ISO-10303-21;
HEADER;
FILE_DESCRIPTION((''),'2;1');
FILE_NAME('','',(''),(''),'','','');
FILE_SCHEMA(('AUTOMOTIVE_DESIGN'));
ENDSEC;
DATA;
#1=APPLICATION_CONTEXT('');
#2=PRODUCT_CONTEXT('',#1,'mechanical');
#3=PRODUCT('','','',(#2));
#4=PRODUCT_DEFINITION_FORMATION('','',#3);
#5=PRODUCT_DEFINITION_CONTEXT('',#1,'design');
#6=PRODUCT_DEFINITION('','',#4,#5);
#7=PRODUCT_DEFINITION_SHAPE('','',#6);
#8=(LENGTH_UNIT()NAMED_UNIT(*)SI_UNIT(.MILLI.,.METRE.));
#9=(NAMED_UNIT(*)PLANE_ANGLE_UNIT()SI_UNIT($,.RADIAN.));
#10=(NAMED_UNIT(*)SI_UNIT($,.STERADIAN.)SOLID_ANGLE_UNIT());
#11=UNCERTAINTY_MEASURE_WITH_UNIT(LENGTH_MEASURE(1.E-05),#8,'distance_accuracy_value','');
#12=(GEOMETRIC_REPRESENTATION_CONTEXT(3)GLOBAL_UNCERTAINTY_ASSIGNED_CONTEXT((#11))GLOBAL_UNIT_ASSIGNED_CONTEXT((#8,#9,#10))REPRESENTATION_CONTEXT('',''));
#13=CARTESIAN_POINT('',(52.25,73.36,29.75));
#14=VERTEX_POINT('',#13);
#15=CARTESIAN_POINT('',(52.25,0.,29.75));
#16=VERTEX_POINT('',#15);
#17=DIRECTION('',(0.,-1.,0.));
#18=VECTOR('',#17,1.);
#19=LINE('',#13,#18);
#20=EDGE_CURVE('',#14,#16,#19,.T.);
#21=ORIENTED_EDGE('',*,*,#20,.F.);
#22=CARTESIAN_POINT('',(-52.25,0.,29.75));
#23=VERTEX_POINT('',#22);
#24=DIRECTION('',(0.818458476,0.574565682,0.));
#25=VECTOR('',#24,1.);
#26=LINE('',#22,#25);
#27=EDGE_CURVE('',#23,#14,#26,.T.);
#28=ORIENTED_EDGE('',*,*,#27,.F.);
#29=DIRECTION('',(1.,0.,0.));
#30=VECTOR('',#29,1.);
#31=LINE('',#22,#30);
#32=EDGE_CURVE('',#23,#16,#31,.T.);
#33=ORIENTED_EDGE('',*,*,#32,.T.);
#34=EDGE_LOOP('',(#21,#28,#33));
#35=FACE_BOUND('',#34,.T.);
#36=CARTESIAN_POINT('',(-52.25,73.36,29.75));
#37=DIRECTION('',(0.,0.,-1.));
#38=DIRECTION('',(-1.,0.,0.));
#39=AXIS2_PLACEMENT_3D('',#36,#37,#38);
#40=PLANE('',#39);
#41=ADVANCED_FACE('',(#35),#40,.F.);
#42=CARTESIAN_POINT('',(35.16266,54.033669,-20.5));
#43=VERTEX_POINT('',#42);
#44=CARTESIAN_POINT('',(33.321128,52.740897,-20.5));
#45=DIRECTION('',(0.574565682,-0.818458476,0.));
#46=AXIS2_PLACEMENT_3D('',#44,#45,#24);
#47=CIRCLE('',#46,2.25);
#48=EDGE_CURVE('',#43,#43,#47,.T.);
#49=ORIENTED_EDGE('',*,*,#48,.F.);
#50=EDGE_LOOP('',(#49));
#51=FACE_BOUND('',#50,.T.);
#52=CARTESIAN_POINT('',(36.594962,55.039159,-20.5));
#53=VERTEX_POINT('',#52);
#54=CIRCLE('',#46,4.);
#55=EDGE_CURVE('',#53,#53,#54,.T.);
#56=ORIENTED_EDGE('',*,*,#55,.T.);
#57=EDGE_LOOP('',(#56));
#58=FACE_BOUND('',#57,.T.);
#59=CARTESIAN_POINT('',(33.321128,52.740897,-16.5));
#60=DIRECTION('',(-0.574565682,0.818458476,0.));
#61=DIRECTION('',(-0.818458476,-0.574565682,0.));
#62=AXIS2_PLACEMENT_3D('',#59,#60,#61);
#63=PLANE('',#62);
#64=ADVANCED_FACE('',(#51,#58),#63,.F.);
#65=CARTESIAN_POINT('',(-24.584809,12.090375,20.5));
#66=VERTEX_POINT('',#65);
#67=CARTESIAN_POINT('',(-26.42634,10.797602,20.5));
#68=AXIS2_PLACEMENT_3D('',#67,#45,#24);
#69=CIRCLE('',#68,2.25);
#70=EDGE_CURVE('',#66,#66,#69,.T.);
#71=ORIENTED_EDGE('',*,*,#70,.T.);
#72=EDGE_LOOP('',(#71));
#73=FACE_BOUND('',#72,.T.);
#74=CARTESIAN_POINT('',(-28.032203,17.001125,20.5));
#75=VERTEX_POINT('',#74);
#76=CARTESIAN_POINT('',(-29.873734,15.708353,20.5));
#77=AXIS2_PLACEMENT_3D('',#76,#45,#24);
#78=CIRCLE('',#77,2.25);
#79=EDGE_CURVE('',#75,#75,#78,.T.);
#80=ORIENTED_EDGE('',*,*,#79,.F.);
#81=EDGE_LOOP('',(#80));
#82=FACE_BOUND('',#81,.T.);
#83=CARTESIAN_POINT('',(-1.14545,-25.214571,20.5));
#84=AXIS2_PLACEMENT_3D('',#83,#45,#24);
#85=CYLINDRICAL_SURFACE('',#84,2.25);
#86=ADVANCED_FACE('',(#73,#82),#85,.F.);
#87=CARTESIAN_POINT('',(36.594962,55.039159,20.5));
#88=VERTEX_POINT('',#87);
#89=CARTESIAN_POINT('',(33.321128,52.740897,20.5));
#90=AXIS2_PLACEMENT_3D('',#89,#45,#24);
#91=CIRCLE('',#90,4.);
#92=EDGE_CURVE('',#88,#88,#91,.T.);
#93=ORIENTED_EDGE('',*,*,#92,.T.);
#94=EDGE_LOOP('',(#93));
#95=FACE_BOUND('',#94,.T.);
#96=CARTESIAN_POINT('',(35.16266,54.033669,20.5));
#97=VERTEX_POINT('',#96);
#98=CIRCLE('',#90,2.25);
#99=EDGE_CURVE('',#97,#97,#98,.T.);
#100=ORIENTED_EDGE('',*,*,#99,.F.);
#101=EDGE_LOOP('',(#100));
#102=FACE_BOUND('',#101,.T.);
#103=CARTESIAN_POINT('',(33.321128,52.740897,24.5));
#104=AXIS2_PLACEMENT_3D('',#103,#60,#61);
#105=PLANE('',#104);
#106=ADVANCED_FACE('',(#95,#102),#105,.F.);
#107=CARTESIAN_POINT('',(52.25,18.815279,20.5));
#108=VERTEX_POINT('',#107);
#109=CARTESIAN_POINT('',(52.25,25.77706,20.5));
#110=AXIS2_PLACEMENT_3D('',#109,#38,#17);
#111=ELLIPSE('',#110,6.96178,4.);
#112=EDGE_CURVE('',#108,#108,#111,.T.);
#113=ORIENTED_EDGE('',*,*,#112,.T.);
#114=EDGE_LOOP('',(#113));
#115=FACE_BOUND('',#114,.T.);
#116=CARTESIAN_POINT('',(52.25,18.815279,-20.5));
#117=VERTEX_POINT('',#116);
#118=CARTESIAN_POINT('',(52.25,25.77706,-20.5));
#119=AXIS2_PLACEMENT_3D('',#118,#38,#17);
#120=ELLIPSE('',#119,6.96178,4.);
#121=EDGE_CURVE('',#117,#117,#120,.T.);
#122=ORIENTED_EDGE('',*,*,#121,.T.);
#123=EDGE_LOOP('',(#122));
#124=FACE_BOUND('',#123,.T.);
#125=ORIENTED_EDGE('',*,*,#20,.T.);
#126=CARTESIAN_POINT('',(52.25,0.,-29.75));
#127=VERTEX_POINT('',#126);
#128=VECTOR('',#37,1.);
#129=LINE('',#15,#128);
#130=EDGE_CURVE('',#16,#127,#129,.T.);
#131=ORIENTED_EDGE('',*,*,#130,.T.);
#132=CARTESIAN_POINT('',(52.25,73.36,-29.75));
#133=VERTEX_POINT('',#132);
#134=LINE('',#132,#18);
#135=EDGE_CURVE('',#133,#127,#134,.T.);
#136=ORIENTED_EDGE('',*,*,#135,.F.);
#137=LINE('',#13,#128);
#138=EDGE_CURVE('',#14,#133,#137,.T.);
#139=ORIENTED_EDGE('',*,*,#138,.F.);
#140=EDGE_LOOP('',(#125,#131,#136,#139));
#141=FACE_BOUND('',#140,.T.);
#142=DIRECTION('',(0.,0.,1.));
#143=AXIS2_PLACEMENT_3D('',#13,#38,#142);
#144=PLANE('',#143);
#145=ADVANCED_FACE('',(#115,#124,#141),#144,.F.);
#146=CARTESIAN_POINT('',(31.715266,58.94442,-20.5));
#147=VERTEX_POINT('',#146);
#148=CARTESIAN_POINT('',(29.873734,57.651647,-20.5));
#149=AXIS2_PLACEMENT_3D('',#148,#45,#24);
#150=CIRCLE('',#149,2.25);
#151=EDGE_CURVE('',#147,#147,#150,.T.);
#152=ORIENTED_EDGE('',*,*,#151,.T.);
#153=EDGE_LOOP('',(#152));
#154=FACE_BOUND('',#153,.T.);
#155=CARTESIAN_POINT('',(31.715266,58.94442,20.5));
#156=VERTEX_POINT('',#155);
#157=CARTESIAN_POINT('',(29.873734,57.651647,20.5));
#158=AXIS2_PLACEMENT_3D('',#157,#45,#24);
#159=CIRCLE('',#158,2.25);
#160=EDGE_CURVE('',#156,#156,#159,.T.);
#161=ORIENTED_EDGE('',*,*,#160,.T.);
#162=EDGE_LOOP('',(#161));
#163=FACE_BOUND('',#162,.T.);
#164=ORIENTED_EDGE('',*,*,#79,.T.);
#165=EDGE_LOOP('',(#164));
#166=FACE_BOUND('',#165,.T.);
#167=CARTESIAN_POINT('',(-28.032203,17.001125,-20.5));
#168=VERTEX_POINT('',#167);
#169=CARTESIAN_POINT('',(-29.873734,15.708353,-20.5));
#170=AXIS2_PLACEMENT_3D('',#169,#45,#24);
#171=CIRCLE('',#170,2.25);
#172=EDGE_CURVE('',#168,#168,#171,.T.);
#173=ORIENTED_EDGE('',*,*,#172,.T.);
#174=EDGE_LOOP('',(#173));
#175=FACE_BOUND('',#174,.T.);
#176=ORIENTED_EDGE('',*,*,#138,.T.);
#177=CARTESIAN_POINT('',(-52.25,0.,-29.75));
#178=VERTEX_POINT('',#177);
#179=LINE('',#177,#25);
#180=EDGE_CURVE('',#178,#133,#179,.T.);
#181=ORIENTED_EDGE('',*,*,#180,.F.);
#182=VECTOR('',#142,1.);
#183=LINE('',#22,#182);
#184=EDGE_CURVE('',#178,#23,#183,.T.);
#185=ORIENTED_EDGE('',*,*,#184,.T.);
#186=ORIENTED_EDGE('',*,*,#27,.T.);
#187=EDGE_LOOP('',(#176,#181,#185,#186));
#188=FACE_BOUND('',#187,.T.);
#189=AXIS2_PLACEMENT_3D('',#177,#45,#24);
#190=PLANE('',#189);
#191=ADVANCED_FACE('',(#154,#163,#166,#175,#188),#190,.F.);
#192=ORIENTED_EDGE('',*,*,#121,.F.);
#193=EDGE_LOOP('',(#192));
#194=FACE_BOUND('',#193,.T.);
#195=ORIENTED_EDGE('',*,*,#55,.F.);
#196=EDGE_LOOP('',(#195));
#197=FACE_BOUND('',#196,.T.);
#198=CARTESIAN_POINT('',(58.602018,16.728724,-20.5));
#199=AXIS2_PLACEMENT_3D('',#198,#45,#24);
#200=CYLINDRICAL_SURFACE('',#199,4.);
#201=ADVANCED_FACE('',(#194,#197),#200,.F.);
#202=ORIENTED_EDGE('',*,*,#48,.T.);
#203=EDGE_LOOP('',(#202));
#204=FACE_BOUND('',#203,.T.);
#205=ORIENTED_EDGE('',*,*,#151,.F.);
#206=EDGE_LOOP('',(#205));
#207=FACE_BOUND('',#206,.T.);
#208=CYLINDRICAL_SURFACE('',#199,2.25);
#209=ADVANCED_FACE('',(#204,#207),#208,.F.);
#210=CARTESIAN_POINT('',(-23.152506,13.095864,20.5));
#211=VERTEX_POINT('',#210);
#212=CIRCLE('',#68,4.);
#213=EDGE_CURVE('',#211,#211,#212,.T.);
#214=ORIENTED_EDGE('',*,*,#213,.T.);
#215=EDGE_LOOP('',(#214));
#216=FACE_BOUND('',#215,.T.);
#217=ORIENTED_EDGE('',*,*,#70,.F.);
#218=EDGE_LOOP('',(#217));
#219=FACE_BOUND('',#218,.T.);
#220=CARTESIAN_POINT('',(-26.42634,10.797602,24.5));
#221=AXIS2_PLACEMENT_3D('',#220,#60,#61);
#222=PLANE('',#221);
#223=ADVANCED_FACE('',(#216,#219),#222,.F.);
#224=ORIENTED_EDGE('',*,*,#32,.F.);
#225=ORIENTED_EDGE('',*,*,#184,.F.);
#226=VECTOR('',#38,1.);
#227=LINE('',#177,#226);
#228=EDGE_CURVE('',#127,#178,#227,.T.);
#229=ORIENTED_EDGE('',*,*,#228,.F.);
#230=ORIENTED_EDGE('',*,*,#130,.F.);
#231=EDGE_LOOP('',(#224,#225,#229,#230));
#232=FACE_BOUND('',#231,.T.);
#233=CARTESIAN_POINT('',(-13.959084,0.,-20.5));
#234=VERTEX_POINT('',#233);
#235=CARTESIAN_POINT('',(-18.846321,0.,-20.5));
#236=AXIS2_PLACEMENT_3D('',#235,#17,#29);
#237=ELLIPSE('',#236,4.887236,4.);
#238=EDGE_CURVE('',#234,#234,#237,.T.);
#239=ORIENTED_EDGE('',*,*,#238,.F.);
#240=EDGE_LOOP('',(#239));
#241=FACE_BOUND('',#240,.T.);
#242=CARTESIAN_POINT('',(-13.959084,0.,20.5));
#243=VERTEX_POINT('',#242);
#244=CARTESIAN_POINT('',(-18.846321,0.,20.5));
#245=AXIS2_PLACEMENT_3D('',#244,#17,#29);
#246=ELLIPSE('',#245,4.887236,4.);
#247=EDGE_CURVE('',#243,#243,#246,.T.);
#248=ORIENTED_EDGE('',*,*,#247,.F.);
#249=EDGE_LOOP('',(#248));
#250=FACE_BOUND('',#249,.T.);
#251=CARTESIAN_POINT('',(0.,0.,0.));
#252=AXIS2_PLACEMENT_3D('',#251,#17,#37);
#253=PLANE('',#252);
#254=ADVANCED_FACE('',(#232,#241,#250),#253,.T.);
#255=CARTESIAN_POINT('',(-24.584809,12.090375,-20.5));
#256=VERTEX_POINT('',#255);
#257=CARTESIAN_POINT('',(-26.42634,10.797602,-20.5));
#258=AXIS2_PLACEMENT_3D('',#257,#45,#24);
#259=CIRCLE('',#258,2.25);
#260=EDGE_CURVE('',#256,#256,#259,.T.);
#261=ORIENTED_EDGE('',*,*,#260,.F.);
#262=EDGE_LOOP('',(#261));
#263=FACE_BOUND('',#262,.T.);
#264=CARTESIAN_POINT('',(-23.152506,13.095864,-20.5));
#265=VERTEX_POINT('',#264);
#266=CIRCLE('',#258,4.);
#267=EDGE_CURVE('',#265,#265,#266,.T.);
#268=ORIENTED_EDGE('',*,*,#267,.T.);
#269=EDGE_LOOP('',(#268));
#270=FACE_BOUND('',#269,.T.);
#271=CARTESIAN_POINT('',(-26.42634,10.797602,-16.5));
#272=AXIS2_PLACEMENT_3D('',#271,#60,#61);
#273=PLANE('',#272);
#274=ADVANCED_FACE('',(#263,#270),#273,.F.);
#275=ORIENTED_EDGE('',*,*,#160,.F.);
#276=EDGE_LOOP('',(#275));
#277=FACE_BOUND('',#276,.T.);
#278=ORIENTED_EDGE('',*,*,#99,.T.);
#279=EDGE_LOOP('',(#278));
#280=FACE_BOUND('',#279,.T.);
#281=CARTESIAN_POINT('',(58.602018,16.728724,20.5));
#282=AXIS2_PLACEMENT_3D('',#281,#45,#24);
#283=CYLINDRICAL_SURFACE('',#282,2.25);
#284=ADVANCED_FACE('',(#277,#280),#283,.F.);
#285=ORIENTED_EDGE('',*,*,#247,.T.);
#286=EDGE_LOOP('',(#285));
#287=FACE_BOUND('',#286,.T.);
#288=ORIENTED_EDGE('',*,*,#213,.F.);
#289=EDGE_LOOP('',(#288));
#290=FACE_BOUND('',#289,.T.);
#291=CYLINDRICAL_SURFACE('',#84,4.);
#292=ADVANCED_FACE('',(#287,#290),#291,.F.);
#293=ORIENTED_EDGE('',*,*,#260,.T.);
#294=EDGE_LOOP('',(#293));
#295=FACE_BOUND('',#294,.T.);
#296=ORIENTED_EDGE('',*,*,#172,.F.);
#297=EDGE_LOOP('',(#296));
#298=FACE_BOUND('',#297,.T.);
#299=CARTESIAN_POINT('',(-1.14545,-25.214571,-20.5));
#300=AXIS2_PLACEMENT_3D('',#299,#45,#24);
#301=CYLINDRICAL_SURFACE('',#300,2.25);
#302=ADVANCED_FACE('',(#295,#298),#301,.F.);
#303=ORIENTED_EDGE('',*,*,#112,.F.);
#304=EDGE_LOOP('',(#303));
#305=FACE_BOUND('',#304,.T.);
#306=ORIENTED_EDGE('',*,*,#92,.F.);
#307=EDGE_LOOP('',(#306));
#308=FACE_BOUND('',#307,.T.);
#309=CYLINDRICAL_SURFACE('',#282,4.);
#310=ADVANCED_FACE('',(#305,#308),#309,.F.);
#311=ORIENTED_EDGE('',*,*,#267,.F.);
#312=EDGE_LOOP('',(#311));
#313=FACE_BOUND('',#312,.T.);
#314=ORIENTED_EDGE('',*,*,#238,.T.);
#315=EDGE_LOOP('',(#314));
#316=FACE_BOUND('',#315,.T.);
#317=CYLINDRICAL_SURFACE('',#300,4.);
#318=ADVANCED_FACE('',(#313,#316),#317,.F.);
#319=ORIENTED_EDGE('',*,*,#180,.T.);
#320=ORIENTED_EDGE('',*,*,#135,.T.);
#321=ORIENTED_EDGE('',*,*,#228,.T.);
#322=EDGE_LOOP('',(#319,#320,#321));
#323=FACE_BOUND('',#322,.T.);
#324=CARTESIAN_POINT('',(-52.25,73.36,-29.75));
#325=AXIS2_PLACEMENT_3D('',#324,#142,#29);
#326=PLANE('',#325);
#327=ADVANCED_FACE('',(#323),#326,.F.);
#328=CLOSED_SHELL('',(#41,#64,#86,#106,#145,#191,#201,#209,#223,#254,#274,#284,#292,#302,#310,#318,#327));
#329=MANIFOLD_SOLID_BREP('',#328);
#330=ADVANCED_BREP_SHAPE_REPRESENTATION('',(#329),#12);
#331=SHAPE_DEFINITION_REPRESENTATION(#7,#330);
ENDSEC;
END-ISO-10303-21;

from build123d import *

# Parameters (mm, degrees)
SKETCH1_W                     = 104.5
SKETCH1_H                     = 59.5
BOSS_EXTRUDE1_DEPTH           = 73.36
CUT_EXTRUDE2_DEPTH            = 108.944439875
CBORE_FOR_M4_SHCS1_AT_2_COUNT = 2
CBORE_FOR_M4_SHCS1_AT_2_PITCH = 73
CBORE_FOR_M4_SHCS1_AT_3_COUNT = 2
CBORE_FOR_M4_SHCS1_AT_3_PITCH = 83.725742756
CBORE_FOR_M4_SHCS1_AT_4_COUNT = 2
CBORE_FOR_M4_SHCS1_AT_4_PITCH = 41


with BuildPart() as part:
    # Sketch1 → Boss-Extrude1 (new body)
    with BuildSketch(Plane(origin=(0, 0, 0), x_dir=(1, 0, 0), z_dir=(0, 1, 0))):
        Rectangle(SKETCH1_W, SKETCH1_H)
    extrude(amount=BOSS_EXTRUDE1_DEPTH)

    # Sketch6 → Cut-Extrude2 (cut, through all)
    with BuildSketch(Plane.XY.offset(29.75)):
        Polygon((-52.25, 0), (52.25, 73.36), (-52.25, 73.36), align=None)
    extrude(amount=-CUT_EXTRUDE2_DEPTH, mode=Mode.SUBTRACT)

    # Sketch9 → CBORE for M4 SHCS1 (revolve, cut)
    with BuildSketch(Plane(origin=(-1.145450259, -25.214571197, -20.5), x_dir=(0.8184584759172453, 0.5745656822324319, 0), z_dir=(0, 0, 1))):
        Polygon((0, 0), (0, 110.042113793), (2.25, 110.042113793), (2.25, 44), (4, 44), (4, 0.020977491), (4.025, 0), align=None)
    cbore_for_m4_shcs1 = revolve(axis=Axis((2.503041823, -30.411782519, -20.5), (-0.5745656822324319, 0.8184584759172453, 0)), mode=Mode.SUBTRACT)

    # CBORE for M4 SHCS1 at 2: CBORE for M4 SHCS1 ×2
    with Locations(*[Vector(0.8184584759172454, 0.5745656822324319, 0) * (i * CBORE_FOR_M4_SHCS1_AT_2_PITCH) for i in range(1, CBORE_FOR_M4_SHCS1_AT_2_COUNT)]):
        add(cbore_for_m4_shcs1, mode=Mode.SUBTRACT)

    # CBORE for M4 SHCS1 at 3: CBORE for M4 SHCS1 ×2
    with Locations(*[Vector(0.7136093007411902, 0.5009605579174519, 0.48969407317906627) * (i * CBORE_FOR_M4_SHCS1_AT_3_PITCH) for i in range(1, CBORE_FOR_M4_SHCS1_AT_3_COUNT)]):
        add(cbore_for_m4_shcs1, mode=Mode.SUBTRACT)

    # CBORE for M4 SHCS1 at 4: CBORE for M4 SHCS1 ×2
    with Locations(*[(0, 0, i * CBORE_FOR_M4_SHCS1_AT_4_PITCH) for i in range(1, CBORE_FOR_M4_SHCS1_AT_4_COUNT)]):
        add(cbore_for_m4_shcs1, mode=Mode.SUBTRACT)


solid = part.part
